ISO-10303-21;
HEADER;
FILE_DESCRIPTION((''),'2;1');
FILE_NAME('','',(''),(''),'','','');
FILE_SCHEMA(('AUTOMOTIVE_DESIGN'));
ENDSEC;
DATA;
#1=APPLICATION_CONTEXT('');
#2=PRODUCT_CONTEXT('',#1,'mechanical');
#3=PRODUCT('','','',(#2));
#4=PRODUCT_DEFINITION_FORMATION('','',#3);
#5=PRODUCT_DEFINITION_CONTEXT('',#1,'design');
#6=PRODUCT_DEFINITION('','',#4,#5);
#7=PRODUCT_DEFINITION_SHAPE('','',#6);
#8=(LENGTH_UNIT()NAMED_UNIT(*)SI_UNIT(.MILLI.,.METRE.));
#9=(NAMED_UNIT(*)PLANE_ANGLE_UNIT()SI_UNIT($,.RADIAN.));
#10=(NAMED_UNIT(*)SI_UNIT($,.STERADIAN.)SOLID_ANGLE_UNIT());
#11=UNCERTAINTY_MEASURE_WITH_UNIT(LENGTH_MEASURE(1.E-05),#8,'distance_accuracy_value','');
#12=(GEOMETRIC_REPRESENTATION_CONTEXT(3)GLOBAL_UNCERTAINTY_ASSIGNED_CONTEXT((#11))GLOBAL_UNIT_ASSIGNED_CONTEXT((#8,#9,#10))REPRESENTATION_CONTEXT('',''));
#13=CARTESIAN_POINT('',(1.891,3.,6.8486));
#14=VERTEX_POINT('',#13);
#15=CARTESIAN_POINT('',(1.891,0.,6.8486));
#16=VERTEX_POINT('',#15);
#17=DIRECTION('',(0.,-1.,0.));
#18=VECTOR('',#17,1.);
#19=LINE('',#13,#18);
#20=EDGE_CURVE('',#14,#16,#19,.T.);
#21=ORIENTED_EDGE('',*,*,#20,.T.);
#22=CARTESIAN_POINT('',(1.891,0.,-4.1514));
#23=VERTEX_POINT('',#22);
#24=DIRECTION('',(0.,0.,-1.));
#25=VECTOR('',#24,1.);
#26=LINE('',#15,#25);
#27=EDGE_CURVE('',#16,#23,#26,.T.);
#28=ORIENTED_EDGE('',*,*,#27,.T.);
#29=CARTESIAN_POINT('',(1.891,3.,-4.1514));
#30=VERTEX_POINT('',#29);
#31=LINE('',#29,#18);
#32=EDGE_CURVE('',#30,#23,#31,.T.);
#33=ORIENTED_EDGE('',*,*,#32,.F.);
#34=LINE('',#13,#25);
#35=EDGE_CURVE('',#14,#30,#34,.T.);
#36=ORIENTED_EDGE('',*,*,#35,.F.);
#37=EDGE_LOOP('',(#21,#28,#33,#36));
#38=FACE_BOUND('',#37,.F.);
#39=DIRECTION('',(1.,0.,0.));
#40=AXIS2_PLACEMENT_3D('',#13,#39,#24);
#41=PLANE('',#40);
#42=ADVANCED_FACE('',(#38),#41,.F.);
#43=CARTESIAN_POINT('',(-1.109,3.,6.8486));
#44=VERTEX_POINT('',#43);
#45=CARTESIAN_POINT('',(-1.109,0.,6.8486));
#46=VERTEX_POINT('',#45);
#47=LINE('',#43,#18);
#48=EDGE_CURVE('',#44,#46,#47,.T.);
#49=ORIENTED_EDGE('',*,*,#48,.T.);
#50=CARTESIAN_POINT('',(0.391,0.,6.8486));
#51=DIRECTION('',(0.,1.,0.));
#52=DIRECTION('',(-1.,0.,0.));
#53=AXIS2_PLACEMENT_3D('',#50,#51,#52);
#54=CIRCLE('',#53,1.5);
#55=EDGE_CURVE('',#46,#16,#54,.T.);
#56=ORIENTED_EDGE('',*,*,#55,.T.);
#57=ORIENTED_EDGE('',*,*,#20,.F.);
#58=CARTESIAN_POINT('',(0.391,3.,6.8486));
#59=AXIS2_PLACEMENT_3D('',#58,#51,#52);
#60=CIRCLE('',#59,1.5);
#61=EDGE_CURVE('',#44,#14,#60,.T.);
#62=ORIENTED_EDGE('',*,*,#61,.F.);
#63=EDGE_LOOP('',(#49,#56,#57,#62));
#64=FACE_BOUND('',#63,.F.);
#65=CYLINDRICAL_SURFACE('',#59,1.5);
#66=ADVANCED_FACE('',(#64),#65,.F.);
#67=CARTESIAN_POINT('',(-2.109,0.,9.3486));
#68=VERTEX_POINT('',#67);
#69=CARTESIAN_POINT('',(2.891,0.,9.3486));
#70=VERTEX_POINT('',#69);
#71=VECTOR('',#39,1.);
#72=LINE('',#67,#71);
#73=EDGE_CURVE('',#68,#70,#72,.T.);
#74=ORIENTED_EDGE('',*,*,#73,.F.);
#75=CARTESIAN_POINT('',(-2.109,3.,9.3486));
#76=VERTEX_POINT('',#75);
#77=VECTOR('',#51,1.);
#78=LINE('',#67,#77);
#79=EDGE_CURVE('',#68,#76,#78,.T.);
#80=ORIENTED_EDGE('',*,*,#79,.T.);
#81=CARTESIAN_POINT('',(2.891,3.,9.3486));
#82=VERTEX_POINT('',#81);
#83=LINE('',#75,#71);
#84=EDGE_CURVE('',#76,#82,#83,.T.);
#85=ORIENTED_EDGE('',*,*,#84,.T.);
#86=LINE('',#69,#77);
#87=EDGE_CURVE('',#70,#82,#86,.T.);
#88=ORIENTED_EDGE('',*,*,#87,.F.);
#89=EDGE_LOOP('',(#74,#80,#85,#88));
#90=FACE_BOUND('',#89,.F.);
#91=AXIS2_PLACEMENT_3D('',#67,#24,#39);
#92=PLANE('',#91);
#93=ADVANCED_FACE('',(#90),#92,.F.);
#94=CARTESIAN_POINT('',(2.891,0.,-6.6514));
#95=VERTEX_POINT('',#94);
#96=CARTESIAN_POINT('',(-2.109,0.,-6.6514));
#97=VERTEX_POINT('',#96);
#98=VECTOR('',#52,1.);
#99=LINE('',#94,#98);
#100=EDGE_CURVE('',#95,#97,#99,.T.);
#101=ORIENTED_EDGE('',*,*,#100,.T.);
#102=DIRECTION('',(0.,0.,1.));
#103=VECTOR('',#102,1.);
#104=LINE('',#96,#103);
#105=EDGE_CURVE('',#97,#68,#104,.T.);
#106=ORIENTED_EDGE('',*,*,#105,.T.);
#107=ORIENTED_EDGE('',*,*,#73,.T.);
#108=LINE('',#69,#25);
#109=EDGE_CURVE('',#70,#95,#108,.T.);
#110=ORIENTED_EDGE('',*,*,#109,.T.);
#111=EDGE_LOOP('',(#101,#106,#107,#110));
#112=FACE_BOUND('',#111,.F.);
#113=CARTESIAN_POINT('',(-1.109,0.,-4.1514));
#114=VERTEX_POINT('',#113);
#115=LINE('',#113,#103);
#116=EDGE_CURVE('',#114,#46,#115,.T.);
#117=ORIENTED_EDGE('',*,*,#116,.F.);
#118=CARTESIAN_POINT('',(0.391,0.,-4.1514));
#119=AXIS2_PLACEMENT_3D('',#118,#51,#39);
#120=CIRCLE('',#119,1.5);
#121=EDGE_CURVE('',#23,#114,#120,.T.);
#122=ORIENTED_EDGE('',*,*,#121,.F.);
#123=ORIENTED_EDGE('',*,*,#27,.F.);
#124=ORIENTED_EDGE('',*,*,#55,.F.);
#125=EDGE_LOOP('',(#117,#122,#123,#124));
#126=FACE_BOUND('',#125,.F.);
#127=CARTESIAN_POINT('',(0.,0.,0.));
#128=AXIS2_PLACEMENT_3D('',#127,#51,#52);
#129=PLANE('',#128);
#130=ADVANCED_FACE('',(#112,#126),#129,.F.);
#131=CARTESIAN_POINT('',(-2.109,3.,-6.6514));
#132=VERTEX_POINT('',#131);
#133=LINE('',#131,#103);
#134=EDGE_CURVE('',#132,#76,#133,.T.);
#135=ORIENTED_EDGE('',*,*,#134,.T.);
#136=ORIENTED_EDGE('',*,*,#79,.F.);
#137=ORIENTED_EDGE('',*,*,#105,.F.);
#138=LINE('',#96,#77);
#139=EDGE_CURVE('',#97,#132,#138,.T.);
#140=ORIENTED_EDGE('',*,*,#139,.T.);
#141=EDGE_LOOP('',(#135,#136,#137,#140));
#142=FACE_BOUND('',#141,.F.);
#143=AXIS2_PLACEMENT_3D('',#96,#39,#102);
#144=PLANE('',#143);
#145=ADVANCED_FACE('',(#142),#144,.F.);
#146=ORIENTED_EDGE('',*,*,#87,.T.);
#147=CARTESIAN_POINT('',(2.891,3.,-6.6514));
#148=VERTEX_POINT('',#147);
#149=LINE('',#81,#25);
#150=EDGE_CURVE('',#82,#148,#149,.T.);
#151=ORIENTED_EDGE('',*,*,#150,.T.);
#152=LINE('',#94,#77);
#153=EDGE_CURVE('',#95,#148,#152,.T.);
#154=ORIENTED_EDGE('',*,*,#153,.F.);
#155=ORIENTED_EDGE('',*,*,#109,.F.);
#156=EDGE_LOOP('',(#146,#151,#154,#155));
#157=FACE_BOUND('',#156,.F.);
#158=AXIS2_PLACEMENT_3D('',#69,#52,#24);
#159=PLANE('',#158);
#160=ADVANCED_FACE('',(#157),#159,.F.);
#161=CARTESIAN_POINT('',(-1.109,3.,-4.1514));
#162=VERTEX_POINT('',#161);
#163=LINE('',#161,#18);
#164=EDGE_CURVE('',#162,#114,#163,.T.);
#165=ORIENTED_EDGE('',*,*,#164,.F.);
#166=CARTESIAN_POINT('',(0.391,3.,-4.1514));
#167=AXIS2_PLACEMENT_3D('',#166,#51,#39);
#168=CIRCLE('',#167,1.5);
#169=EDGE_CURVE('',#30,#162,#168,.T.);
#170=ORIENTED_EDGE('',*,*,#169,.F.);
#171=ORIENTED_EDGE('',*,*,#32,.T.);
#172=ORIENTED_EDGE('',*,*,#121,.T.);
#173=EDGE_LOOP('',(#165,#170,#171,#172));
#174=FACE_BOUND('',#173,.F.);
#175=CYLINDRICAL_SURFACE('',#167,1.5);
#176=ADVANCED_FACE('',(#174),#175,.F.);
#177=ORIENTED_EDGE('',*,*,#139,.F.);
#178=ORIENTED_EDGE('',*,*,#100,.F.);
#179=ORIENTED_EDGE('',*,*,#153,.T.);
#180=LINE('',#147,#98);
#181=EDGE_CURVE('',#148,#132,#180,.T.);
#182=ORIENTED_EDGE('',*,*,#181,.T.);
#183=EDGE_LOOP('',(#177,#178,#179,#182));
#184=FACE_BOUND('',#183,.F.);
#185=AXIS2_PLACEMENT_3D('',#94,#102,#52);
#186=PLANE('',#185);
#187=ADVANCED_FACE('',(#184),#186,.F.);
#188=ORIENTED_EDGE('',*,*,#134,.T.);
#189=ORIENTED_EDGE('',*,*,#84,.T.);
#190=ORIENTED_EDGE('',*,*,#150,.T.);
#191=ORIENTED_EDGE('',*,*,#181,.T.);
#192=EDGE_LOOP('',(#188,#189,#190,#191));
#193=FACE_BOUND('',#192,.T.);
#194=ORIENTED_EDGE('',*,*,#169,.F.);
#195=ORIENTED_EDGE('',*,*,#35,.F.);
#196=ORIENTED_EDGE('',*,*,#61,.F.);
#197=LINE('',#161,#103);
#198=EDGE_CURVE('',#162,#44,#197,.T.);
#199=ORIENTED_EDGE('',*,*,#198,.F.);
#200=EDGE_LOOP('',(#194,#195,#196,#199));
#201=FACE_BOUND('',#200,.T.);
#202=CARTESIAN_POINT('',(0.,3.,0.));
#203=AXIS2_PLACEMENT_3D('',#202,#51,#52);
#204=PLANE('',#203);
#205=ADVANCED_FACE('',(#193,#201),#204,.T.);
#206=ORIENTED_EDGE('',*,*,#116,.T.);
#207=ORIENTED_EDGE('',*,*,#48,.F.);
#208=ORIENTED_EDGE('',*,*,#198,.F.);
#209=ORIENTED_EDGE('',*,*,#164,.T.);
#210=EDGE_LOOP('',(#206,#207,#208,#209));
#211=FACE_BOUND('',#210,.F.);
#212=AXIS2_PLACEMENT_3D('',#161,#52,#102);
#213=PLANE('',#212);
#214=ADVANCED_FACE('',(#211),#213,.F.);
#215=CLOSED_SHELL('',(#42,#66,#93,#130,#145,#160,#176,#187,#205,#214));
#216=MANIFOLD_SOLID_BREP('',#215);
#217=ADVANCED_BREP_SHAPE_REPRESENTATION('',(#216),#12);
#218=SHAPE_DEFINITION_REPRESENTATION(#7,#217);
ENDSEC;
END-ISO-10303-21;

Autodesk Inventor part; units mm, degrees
ref_plane "YZ Plane" through (0, 0, 0) normal (1, 0, 0) x (0, 1, 0)
ref_plane "XZ Plane" through (0, 0, 0) normal (0, 1, 0) x (-1, 0, 0)
ref_plane "XY Plane" through (0, 0, 0) normal (0, 0, 1) x (1, 0, 0)
sketch "スケッチ1" plane through (0, 0, 0) normal (0, 0, 1) x (1, 0, 0)
  point P0 (0, 0)
sketch "スケッチ2" plane through (0, 0, 0) normal (0, 1, 0) x (-1, 0, 0)
  line L0 (2.109, 9.3486) -> (-2.891, 9.3486)
  line L1 (-2.891, 9.3486) -> (-2.891, -6.6514)
  line L2 (-2.891, -6.6514) -> (2.109, -6.6514)
  line L3 (2.109, -6.6514) -> (2.109, 9.3486)
  point P0 (0, 0)
  dimension "d0" = 5
  dimension "d1" = 16
extrude "押し出し1" add sketch "スケッチ2" along normal blind 3
sketch "スケッチ3" plane through (0, 3, 0) normal (0, 1, 0) x (1, 0, 0)
  line L0 (0.391, -6.8486) -> (0.391, 4.1514) construction
  line L1 (1.891, -6.8486) -> (1.891, 4.1514)
  line L2 (-1.109, 4.1514) -> (-1.109, -6.8486)
  arc A0 (-1.109, -6.8486) -> (1.891, -6.8486) centre (0.391, -6.8486) ccw
  arc A1 (1.891, 4.1514) -> (-1.109, 4.1514) centre (0.391, 4.1514) ccw
  line L3 (-2.109, 6.6514) -> (-2.109, -9.3486) projected
  line L4 (-2.109, -9.3486) -> (2.891, -9.3486) projected
  point P0 (0, 0)
  point P1 (0.391, -1.3486)
  dimension "d4" = 11
  dimension "d5" = 3
  dimension "d6" = 1
  dimension "d7" = 2.5
extrude "押し出し2" cut sketch "スケッチ3" against normal blind 3
properties part number "creat10"
